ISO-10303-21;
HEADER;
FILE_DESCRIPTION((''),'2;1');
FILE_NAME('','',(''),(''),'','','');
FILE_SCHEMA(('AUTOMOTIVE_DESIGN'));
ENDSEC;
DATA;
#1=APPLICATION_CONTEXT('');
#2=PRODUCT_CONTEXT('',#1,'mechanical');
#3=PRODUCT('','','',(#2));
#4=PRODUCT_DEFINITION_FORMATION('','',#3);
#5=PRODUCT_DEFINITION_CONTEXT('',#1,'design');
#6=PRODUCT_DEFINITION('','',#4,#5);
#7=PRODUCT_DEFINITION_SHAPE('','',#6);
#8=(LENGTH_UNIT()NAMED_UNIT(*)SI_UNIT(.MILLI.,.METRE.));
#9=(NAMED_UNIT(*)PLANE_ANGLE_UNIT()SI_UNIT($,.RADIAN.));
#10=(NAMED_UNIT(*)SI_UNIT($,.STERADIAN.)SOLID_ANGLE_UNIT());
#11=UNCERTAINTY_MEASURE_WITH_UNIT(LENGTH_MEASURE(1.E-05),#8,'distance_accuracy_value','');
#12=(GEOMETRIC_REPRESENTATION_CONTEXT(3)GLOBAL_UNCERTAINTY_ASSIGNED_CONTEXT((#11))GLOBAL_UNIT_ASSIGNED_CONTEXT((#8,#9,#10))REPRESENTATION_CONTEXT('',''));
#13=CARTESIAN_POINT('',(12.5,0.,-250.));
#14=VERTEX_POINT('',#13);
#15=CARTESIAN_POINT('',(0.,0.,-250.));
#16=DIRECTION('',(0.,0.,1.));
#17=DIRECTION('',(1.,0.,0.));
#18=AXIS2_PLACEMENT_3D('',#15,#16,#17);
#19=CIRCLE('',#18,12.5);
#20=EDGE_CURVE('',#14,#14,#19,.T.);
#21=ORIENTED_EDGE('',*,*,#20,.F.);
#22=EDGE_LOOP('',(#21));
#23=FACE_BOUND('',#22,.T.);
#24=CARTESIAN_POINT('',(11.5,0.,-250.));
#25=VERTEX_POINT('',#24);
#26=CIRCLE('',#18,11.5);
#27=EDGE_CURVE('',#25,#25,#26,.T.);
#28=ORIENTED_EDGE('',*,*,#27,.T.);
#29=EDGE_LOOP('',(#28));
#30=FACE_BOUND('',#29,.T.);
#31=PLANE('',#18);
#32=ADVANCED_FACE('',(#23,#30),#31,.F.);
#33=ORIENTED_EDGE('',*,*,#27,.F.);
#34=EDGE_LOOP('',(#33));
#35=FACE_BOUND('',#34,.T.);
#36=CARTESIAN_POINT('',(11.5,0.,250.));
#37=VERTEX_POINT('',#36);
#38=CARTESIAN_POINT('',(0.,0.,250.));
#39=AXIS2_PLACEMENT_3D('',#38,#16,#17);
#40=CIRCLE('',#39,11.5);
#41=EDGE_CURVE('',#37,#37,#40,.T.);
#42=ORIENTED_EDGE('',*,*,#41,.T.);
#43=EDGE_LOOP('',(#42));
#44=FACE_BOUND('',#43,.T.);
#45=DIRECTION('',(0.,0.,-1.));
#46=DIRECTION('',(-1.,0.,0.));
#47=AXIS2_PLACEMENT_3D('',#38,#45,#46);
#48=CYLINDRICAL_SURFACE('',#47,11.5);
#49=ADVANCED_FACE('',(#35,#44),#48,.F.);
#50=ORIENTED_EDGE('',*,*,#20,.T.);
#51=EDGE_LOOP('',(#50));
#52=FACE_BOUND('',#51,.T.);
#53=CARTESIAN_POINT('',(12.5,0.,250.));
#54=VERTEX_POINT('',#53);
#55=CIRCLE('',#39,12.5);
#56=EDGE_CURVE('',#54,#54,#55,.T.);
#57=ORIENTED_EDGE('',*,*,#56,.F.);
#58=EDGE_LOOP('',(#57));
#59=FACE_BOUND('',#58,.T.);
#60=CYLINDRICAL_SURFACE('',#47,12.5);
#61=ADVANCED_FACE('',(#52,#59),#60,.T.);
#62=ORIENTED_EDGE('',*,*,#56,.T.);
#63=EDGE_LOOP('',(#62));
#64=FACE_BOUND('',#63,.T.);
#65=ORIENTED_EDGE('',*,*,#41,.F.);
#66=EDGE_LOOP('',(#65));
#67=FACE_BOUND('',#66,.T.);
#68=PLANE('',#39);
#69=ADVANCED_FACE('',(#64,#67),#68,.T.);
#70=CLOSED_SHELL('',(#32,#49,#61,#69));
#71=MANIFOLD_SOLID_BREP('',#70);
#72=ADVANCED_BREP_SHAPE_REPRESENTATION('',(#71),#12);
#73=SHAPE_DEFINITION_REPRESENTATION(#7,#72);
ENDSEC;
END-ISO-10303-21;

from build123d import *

# Parameters (mm, degrees)
SKETCH1_R           = 12.5
SKETCH1_R_2         = 11.5
BOSS_EXTRUDE1_DEPTH = 250


with BuildPart() as part:
    # Sketch1 → Boss-Extrude1 (new, symmetric)
    with BuildSketch(Plane.XY):
        Circle(SKETCH1_R)
        Circle(SKETCH1_R_2, mode=Mode.SUBTRACT)
    extrude(amount=BOSS_EXTRUDE1_DEPTH, both=True)


solid = part.part
